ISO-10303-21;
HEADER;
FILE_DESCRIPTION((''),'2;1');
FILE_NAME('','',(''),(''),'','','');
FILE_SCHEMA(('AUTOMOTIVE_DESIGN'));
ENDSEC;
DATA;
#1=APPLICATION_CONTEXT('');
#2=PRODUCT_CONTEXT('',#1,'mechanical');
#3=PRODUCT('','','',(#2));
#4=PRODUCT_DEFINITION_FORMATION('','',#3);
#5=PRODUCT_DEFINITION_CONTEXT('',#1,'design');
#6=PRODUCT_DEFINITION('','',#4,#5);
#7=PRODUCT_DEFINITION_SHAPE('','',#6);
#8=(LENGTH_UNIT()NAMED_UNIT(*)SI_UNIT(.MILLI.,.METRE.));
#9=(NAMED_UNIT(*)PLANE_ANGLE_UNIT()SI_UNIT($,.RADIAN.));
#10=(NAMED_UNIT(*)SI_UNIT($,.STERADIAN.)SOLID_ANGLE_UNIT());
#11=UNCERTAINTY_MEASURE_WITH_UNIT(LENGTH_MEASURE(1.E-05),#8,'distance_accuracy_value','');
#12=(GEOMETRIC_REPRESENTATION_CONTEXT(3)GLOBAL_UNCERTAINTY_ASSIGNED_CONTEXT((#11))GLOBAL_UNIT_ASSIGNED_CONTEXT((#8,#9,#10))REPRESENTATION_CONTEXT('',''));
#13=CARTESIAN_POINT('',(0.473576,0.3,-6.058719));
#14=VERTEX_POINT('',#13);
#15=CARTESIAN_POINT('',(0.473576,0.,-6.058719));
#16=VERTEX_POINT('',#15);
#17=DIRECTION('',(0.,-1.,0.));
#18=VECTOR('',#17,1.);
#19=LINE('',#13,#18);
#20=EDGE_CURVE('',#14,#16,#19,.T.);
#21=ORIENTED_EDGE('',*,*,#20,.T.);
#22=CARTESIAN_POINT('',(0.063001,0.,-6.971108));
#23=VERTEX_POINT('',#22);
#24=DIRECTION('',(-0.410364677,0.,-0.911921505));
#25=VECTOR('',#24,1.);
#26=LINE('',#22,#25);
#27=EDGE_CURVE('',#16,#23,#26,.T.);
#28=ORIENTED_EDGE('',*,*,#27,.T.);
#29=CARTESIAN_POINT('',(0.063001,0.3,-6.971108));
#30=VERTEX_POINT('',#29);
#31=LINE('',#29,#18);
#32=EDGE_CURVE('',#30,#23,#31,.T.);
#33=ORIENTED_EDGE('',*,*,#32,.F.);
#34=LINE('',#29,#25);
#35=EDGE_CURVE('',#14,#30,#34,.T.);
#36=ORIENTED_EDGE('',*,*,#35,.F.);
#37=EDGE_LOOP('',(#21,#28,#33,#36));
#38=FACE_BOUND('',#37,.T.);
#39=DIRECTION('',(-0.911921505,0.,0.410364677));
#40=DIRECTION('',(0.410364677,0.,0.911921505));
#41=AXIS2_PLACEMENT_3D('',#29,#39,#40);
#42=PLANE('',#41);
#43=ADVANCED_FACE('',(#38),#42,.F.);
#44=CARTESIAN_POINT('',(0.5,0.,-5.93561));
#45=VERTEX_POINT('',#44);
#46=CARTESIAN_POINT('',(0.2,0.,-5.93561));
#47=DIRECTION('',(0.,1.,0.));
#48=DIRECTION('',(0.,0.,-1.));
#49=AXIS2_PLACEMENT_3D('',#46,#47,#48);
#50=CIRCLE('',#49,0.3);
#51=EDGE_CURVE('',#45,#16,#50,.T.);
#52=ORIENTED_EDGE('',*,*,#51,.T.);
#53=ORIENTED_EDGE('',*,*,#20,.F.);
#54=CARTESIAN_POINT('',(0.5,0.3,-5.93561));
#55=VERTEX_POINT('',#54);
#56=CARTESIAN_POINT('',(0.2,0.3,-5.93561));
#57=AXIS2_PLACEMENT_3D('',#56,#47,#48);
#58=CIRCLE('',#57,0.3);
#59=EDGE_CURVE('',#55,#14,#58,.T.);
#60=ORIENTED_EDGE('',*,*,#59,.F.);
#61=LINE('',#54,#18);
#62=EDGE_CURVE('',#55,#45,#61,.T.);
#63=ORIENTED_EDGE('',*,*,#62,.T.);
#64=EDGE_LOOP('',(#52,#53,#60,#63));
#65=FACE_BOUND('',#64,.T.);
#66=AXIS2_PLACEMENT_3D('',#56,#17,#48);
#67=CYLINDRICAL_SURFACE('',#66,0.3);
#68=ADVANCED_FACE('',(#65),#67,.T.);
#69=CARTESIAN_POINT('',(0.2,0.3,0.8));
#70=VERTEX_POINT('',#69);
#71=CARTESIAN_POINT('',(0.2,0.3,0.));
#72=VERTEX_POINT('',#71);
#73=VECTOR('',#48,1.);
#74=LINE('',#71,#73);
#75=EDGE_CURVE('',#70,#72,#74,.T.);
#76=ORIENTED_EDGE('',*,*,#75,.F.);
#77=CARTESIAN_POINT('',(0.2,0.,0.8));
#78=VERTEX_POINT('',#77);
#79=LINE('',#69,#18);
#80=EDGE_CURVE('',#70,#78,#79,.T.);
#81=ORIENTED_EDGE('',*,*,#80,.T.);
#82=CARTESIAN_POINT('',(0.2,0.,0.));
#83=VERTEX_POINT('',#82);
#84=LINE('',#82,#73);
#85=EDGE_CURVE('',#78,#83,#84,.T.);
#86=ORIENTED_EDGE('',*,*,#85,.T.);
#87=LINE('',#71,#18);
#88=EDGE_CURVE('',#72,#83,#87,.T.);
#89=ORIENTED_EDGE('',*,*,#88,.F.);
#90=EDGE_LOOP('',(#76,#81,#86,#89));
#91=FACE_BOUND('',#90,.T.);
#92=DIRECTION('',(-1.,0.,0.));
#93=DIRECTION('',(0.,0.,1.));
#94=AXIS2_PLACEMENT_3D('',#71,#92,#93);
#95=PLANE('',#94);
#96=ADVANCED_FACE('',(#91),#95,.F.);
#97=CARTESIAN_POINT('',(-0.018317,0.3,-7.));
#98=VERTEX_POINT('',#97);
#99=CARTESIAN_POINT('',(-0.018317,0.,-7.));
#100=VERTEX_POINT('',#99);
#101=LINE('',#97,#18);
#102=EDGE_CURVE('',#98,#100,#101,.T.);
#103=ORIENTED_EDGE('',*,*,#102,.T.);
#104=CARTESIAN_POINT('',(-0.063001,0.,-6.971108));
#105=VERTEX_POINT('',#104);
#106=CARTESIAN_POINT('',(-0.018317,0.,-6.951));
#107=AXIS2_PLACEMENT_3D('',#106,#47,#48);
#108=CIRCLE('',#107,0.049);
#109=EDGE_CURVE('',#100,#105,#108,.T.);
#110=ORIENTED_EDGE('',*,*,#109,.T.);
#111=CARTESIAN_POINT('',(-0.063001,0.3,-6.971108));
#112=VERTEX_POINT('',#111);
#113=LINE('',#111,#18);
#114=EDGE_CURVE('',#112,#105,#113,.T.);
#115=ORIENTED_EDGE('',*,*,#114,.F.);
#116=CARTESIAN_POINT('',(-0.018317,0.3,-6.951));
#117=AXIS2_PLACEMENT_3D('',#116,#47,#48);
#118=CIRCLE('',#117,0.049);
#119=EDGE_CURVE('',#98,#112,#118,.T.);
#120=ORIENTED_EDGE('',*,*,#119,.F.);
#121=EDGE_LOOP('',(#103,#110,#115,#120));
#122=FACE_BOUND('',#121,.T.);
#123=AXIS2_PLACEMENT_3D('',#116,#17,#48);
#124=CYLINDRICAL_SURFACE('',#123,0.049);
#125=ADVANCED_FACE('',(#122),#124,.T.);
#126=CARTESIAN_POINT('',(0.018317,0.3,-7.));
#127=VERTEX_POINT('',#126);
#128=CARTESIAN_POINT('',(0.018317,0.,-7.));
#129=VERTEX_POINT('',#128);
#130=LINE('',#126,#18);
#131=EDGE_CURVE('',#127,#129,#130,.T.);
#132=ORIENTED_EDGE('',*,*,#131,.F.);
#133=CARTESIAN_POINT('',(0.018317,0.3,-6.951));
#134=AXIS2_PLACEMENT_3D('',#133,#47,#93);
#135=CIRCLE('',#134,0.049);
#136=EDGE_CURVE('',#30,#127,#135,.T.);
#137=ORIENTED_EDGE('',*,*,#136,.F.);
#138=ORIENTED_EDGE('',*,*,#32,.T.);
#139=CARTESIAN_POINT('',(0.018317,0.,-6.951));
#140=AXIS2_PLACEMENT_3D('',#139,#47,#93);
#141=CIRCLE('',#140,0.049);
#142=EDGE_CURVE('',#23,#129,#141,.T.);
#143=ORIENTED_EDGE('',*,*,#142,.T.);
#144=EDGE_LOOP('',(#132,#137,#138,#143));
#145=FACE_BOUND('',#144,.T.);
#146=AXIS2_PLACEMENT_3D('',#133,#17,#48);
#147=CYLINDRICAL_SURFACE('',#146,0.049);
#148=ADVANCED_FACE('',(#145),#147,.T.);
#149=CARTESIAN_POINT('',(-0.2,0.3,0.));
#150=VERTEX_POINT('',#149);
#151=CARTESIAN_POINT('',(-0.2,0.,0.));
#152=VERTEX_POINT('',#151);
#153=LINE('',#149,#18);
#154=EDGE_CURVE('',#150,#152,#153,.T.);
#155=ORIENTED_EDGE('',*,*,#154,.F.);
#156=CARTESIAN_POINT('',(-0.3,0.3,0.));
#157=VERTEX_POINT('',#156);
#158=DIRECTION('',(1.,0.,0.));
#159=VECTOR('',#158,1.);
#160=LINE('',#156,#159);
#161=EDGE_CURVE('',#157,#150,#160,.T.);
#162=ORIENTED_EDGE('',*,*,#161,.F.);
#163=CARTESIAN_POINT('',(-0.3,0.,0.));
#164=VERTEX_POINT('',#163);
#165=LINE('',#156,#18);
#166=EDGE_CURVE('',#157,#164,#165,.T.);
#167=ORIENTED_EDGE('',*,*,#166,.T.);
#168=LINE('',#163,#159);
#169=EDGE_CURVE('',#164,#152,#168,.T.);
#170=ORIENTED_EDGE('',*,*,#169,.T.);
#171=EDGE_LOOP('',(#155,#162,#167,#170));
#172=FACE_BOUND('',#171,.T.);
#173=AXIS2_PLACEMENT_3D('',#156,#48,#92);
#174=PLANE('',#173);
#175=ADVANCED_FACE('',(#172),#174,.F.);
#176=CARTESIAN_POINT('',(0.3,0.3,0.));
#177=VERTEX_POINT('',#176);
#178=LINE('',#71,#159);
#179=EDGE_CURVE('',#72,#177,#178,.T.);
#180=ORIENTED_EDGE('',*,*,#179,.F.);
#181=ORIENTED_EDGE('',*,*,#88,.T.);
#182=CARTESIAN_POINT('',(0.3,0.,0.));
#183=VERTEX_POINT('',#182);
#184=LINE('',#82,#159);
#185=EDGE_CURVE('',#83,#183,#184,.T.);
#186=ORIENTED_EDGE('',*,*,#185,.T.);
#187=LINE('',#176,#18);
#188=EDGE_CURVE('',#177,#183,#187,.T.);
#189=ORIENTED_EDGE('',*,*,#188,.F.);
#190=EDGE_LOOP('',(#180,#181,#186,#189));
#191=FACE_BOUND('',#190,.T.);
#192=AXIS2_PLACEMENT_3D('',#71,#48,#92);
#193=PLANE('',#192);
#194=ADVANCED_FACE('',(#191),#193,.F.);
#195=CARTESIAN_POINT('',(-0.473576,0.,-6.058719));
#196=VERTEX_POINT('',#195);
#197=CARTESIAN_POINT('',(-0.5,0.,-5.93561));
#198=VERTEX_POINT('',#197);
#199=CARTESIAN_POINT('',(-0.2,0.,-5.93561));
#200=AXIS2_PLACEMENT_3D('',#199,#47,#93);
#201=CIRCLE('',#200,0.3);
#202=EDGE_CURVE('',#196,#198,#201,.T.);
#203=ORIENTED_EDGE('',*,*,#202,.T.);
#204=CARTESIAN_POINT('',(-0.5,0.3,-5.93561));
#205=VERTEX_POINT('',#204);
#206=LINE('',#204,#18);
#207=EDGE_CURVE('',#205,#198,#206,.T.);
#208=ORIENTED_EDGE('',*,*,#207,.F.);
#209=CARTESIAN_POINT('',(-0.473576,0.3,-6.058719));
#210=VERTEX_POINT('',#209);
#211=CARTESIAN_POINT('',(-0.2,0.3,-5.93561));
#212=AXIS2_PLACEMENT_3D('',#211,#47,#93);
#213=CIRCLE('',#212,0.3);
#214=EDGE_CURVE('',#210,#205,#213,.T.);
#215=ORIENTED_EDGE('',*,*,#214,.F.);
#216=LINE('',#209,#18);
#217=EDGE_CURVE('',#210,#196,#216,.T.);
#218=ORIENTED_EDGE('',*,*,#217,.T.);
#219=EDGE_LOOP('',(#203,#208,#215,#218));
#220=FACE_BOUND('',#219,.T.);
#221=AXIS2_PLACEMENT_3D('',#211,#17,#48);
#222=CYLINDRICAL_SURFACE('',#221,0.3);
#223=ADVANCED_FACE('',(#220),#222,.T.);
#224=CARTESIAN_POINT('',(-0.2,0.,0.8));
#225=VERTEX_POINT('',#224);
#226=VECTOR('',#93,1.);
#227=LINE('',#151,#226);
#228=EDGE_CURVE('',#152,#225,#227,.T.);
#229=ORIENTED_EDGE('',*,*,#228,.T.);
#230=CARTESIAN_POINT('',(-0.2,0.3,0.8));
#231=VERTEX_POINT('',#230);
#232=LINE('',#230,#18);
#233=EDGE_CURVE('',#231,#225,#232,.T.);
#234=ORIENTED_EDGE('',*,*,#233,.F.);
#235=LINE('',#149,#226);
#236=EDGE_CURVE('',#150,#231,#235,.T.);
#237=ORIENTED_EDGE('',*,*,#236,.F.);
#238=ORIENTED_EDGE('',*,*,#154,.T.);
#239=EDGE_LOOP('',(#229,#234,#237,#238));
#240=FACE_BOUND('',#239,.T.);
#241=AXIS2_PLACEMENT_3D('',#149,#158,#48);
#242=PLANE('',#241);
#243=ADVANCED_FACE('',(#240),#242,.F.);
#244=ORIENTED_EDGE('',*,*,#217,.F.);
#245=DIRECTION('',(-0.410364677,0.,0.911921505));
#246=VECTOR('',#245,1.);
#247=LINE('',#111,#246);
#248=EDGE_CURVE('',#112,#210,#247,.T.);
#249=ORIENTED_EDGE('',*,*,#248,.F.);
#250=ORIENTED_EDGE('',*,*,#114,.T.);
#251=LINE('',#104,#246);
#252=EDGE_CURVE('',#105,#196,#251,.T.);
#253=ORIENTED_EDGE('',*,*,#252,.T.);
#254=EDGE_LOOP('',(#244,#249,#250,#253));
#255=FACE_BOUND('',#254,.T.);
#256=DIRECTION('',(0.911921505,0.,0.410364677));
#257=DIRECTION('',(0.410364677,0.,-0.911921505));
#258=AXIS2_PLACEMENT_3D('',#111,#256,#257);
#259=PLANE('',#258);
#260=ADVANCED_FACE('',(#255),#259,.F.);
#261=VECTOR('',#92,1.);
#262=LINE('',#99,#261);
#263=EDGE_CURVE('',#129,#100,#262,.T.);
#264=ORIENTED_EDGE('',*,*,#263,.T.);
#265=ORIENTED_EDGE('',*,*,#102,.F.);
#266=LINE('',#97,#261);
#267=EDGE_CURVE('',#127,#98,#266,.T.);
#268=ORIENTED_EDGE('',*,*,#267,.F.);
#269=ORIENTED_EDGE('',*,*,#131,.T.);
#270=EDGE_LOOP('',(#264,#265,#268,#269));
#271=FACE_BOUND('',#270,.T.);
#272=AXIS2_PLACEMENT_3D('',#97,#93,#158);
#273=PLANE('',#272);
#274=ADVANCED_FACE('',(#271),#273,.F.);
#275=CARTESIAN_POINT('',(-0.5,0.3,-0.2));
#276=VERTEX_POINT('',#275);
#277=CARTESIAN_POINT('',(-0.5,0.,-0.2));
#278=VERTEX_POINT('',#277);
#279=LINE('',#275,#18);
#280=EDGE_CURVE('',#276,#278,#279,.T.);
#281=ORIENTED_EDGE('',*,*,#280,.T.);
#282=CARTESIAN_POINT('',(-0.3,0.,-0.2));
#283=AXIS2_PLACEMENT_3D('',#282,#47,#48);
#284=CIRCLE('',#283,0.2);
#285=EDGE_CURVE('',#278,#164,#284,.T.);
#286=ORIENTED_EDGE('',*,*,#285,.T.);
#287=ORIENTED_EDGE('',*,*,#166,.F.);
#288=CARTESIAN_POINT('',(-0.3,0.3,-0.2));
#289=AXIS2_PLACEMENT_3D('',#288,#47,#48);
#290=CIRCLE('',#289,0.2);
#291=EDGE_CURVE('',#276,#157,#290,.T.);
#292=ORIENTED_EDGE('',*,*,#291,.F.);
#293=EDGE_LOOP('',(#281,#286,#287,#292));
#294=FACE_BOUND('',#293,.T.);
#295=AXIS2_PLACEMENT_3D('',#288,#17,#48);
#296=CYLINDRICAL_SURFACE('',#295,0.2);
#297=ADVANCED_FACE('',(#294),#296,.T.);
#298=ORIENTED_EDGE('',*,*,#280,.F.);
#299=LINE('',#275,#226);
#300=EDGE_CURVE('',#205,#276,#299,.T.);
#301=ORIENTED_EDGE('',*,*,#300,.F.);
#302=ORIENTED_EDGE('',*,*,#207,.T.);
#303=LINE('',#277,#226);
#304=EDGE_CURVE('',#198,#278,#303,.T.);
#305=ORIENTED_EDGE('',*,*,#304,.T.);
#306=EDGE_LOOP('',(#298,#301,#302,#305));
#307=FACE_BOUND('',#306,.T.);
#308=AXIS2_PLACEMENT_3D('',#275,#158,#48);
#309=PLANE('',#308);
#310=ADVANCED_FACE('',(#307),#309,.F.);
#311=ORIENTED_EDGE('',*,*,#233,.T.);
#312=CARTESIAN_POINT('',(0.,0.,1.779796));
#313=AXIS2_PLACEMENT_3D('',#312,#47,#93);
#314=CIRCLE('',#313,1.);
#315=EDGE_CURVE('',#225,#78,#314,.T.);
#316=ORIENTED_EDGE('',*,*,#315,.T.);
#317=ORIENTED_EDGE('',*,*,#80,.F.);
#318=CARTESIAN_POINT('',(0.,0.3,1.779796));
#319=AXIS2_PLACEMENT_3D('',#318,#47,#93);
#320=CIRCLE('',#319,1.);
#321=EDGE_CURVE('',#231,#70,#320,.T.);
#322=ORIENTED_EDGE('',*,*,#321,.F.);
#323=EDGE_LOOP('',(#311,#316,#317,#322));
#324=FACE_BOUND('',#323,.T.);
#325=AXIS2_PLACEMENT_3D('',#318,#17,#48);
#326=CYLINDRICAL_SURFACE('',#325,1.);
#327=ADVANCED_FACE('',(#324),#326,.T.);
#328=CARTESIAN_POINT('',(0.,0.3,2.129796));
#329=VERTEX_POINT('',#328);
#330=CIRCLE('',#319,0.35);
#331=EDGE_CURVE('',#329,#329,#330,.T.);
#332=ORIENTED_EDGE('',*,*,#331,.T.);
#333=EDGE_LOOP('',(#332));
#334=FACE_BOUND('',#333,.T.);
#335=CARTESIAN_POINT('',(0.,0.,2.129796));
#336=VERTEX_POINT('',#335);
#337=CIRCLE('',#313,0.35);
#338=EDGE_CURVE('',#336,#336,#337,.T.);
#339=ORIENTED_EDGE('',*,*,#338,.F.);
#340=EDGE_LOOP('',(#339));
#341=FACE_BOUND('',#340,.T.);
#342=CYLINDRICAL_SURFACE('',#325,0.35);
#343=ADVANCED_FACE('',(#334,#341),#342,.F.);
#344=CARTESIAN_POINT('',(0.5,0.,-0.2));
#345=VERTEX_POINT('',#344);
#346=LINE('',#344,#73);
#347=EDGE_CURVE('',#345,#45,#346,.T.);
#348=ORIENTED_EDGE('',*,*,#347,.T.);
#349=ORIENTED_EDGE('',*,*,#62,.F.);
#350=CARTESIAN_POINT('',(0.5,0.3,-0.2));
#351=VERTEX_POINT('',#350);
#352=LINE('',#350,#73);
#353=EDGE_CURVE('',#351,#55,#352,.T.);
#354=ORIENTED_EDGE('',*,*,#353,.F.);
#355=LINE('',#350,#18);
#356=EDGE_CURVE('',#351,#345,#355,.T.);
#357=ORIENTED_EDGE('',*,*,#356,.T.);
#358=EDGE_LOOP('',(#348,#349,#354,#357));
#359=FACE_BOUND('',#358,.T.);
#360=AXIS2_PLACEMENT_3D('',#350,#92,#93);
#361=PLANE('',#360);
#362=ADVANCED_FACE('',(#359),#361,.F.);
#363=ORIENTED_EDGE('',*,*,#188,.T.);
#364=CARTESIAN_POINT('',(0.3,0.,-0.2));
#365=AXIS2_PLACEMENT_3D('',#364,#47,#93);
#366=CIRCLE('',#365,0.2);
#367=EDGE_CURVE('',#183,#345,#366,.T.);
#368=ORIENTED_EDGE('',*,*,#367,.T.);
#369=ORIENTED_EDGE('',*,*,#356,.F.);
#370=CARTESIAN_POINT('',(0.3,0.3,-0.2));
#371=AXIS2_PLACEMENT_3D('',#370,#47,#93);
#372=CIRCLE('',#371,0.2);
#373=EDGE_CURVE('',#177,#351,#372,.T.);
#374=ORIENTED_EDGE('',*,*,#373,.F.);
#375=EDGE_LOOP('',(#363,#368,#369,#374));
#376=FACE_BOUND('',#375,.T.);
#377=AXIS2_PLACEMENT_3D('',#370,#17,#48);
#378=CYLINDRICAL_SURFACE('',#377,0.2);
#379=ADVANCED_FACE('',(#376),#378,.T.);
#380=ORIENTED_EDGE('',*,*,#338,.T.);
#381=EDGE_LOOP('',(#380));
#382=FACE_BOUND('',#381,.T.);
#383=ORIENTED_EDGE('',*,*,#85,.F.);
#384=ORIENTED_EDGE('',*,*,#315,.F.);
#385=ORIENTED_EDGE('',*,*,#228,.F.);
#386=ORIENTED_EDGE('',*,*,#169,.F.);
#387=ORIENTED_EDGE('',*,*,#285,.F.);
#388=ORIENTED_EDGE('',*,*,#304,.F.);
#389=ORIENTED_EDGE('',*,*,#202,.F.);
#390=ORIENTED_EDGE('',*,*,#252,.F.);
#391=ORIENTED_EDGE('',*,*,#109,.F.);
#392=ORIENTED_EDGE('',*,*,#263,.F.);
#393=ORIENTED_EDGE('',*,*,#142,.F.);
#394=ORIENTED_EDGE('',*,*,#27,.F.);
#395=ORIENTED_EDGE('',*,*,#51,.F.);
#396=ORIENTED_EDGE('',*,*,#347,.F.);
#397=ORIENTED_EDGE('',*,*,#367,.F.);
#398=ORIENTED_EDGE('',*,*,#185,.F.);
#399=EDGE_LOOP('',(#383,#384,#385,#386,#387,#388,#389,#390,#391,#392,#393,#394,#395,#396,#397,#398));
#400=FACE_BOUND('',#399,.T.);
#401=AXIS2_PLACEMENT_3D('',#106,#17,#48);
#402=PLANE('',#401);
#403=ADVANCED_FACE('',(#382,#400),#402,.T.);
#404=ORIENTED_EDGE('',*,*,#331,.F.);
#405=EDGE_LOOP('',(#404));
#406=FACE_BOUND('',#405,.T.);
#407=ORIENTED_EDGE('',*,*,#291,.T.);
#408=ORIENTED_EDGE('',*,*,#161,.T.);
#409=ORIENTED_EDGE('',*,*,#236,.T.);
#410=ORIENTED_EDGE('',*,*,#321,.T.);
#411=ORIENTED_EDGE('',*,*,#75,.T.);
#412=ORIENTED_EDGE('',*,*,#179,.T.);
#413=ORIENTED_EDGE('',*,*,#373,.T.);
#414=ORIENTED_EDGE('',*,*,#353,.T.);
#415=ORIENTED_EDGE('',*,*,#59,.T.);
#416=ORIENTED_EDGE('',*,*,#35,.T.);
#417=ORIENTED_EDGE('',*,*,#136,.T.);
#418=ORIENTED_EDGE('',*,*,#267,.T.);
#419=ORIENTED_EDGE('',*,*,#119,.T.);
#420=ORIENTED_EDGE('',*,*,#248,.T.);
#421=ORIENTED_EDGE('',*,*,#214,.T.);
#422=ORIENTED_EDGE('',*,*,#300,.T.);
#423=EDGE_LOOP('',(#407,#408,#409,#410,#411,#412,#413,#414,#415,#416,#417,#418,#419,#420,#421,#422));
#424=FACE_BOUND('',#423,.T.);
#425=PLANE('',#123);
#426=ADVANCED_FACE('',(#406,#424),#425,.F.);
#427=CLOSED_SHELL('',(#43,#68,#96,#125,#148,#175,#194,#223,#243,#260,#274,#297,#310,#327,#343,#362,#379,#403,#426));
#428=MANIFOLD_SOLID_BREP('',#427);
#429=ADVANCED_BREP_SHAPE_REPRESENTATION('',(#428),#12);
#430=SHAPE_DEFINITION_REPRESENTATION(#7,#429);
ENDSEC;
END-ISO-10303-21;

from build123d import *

# Parameters (mm, degrees)
SKETCH1_R           = 0.35
BOSS_EXTRUDE1_DEPTH = 0.3


with BuildPart() as part:
    # Sketch1 → Boss-Extrude1 (new body)
    with BuildSketch(Plane(origin=(0, 0, 0), x_dir=(1, 0, 0), z_dir=(0, 1, 0))):
        with BuildLine():
            Line((0.063001459, 6.971107869), (0.473576452, 6.058718997))
            ThreePointArc((0.473576452, 6.058718997), (0.493319736, 5.998566184), (0.5, 5.935609593))
            Line((0.5, 5.935609593), (0.5, 0.2))
            ThreePointArc((0.5, 0.2), (0.441421356, 0.058578644), (0.3, 0))
            Line((0.3, 0), (0.2, 0))
            Line((0.2, 0), (0.2, -0.8))
            ThreePointArc((0.2, -0.8), (0, -2.779795897), (-0.2, -0.8))
            Line((-0.2, -0.8), (-0.2, 0))
            Line((-0.2, 0), (-0.3, 0))
            ThreePointArc((-0.3, 0), (-0.441421356, 0.058578644), (-0.5, 0.2))
            Line((-0.5, 0.2), (-0.5, 5.935609593))
            ThreePointArc((-0.5, 5.935609593), (-0.493319736, 5.998566184), (-0.473576452, 6.058718997))
            Line((-0.473576452, 6.058718997), (-0.063001459, 6.971107869))
            ThreePointArc((-0.063001459, 6.971107869), (-0.044922891, 6.992147816), (-0.018317305, 7))
            Line((-0.018317305, 7), (0.018317305, 7))
            ThreePointArc((0.018317305, 7), (0.044922891, 6.992147816), (0.063001459, 6.971107869))
        make_face()
        with Locations((0, -1.779795897)):
            Circle(SKETCH1_R, mode=Mode.SUBTRACT)
    extrude(amount=BOSS_EXTRUDE1_DEPTH)


solid = part.part
